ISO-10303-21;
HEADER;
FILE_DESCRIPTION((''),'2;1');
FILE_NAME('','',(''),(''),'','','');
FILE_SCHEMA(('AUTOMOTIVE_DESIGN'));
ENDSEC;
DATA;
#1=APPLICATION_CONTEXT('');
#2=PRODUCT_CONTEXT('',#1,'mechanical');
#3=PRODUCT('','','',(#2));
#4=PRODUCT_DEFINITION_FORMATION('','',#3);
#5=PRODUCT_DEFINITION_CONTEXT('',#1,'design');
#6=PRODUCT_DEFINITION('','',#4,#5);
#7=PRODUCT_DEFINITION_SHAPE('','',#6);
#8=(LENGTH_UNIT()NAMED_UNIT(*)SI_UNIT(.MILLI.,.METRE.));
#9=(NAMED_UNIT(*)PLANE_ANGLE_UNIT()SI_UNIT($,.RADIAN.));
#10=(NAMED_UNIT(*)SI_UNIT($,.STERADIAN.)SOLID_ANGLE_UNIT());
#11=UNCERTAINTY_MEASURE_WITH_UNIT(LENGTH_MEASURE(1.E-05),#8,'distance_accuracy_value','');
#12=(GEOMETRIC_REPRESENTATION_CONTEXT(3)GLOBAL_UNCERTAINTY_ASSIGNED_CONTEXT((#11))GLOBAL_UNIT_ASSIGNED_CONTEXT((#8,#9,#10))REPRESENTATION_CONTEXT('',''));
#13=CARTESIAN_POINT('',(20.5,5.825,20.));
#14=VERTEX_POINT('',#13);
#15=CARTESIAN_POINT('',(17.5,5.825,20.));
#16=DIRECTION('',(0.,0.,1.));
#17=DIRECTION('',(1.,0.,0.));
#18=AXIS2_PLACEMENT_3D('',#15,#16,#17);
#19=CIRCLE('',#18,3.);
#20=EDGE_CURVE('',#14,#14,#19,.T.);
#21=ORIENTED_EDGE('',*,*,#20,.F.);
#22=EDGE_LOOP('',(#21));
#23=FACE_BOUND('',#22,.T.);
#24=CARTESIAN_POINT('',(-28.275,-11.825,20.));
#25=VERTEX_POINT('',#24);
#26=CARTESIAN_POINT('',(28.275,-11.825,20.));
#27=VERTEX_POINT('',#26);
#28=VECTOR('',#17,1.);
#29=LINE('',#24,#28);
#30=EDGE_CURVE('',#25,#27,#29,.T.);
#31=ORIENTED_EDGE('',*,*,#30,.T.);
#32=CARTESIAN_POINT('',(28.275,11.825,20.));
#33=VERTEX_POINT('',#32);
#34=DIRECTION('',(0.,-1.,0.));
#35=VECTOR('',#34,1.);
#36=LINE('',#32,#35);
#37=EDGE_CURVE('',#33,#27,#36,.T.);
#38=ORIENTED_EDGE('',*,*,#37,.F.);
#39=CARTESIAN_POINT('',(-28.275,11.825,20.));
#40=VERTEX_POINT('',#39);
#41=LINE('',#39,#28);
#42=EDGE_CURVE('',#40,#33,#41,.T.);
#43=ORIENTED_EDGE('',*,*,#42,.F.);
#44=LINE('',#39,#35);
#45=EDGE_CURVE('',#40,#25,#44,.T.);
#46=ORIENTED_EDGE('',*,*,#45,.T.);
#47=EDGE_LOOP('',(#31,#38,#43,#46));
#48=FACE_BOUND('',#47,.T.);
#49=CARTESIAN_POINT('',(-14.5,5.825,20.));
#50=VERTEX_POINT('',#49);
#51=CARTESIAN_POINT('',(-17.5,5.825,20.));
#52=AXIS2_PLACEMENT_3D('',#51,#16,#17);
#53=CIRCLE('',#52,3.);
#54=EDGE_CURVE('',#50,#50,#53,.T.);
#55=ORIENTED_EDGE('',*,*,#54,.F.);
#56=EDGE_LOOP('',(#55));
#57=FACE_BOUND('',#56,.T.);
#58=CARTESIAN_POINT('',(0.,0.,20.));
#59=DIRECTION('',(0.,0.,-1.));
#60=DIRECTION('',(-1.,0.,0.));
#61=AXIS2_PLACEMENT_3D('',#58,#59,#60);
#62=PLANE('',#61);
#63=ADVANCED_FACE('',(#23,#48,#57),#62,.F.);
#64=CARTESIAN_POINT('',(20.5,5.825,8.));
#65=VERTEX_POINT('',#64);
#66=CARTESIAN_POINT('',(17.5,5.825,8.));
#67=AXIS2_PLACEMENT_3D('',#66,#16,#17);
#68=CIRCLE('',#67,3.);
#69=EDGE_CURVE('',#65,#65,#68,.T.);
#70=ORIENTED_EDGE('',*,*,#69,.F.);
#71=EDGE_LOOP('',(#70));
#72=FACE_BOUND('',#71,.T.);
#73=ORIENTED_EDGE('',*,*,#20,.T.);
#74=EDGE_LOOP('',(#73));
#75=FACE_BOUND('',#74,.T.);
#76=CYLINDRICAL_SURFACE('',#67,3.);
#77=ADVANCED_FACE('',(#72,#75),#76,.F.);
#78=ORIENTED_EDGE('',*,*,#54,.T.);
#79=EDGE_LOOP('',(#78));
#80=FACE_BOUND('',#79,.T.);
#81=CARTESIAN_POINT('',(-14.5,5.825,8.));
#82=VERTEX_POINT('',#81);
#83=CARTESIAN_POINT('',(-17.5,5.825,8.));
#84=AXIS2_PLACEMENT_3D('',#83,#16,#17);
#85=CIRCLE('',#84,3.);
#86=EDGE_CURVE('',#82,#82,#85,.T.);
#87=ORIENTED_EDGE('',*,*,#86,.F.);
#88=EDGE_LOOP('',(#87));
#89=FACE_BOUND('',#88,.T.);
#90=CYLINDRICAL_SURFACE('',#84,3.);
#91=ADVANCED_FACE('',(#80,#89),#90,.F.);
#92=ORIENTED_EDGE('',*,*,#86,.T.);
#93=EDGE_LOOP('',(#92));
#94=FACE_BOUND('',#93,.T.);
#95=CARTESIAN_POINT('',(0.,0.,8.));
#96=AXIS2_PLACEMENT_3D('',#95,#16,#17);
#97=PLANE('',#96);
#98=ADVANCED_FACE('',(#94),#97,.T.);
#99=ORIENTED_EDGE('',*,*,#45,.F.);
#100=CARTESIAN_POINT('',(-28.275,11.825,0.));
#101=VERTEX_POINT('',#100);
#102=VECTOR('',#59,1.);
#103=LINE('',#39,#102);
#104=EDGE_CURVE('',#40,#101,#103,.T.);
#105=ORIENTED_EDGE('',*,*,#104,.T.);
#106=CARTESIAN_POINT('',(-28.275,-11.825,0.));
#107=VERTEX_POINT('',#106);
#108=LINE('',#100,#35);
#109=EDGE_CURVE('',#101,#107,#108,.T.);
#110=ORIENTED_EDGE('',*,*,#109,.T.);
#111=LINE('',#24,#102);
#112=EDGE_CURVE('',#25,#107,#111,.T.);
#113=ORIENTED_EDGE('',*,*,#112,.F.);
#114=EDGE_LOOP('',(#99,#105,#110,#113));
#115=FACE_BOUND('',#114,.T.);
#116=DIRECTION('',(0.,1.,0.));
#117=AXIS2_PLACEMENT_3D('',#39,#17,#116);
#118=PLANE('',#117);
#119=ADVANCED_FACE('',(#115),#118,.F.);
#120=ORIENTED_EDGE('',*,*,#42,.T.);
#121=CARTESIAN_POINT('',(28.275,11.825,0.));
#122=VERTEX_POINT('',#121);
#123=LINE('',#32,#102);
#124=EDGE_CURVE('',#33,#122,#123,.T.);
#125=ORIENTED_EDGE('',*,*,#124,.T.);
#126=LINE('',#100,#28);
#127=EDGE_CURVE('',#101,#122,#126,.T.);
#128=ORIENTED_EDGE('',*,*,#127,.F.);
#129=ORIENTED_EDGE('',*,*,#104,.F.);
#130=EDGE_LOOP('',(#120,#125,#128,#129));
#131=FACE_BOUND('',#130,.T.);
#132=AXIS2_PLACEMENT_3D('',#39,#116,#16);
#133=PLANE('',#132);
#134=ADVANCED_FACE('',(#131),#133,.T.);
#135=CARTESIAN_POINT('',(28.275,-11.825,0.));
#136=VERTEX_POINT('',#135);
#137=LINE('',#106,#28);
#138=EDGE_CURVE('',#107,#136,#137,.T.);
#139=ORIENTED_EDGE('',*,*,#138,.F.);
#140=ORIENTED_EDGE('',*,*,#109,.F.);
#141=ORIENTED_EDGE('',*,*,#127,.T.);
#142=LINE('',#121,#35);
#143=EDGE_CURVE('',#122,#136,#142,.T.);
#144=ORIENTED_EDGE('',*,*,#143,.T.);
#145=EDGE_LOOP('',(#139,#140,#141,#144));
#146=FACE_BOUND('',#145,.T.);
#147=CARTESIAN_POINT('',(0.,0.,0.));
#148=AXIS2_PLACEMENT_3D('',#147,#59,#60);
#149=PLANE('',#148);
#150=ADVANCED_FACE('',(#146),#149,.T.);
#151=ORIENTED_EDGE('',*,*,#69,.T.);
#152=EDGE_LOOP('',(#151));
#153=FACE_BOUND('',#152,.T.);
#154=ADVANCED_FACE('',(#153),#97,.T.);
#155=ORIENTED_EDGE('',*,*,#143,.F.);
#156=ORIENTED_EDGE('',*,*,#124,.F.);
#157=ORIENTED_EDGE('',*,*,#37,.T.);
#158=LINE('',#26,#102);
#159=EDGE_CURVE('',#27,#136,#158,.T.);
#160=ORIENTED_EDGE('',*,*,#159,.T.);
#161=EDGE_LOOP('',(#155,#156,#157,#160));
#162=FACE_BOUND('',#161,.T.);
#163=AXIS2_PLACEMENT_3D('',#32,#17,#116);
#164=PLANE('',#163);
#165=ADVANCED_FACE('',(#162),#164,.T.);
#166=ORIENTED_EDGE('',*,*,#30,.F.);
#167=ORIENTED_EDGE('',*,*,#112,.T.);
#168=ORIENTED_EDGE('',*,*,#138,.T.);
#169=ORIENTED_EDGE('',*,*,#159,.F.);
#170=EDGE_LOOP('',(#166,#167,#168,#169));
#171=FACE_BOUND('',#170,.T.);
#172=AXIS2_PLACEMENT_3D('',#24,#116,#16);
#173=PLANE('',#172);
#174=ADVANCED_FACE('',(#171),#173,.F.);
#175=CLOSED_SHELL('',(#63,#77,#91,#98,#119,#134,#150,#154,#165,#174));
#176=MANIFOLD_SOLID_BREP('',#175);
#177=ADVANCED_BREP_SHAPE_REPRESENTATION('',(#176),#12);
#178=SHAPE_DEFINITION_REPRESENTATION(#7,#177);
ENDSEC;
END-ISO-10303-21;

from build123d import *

# Parameters (mm, degrees)
SKETCH1_W           = 56.55
SKETCH1_H           = 23.65
BOSS_EXTRUDE1_DEPTH = 20
CUT_EXTRUDE1_DEPTH  = 12


with BuildPart() as part:
    # Sketch1 → Boss-Extrude1 (new body)
    with BuildSketch(Plane.XY):
        Rectangle(SKETCH1_W, SKETCH1_H)
    extrude(amount=BOSS_EXTRUDE1_DEPTH)

    # Sketch2 → Cut-Extrude1 (cut)
    with BuildSketch(Plane.XY.offset(20)):
        with BuildLine():
            Line((-20.5, 5.825), (-17.5, 5.825))
            Line((-17.5, 5.825), (-14.5, 5.825))
            ThreePointArc((-14.5, 5.825), (-17.5, 8.825), (-20.5, 5.825))
        make_face()
        with BuildLine():
            Line((-14.5, 5.825), (-17.5, 5.825))
            Line((-17.5, 5.825), (-20.5, 5.825))
            ThreePointArc((-20.5, 5.825), (-17.5, 2.825), (-14.5, 5.825))
        make_face()
        with BuildLine():
            ThreePointArc((20.5, 5.825), (17.5, 8.825), (14.5, 5.825))
            Line((14.5, 5.825), (17.5, 5.825))
            Line((17.5, 5.825), (20.5, 5.825))
        make_face()
        with BuildLine():
            Line((17.5, 5.825), (14.5, 5.825))
            ThreePointArc((14.5, 5.825), (17.5, 2.825), (20.5, 5.825))
            Line((20.5, 5.825), (17.5, 5.825))
        make_face()
    extrude(amount=-CUT_EXTRUDE1_DEPTH, mode=Mode.SUBTRACT)


solid = part.part
